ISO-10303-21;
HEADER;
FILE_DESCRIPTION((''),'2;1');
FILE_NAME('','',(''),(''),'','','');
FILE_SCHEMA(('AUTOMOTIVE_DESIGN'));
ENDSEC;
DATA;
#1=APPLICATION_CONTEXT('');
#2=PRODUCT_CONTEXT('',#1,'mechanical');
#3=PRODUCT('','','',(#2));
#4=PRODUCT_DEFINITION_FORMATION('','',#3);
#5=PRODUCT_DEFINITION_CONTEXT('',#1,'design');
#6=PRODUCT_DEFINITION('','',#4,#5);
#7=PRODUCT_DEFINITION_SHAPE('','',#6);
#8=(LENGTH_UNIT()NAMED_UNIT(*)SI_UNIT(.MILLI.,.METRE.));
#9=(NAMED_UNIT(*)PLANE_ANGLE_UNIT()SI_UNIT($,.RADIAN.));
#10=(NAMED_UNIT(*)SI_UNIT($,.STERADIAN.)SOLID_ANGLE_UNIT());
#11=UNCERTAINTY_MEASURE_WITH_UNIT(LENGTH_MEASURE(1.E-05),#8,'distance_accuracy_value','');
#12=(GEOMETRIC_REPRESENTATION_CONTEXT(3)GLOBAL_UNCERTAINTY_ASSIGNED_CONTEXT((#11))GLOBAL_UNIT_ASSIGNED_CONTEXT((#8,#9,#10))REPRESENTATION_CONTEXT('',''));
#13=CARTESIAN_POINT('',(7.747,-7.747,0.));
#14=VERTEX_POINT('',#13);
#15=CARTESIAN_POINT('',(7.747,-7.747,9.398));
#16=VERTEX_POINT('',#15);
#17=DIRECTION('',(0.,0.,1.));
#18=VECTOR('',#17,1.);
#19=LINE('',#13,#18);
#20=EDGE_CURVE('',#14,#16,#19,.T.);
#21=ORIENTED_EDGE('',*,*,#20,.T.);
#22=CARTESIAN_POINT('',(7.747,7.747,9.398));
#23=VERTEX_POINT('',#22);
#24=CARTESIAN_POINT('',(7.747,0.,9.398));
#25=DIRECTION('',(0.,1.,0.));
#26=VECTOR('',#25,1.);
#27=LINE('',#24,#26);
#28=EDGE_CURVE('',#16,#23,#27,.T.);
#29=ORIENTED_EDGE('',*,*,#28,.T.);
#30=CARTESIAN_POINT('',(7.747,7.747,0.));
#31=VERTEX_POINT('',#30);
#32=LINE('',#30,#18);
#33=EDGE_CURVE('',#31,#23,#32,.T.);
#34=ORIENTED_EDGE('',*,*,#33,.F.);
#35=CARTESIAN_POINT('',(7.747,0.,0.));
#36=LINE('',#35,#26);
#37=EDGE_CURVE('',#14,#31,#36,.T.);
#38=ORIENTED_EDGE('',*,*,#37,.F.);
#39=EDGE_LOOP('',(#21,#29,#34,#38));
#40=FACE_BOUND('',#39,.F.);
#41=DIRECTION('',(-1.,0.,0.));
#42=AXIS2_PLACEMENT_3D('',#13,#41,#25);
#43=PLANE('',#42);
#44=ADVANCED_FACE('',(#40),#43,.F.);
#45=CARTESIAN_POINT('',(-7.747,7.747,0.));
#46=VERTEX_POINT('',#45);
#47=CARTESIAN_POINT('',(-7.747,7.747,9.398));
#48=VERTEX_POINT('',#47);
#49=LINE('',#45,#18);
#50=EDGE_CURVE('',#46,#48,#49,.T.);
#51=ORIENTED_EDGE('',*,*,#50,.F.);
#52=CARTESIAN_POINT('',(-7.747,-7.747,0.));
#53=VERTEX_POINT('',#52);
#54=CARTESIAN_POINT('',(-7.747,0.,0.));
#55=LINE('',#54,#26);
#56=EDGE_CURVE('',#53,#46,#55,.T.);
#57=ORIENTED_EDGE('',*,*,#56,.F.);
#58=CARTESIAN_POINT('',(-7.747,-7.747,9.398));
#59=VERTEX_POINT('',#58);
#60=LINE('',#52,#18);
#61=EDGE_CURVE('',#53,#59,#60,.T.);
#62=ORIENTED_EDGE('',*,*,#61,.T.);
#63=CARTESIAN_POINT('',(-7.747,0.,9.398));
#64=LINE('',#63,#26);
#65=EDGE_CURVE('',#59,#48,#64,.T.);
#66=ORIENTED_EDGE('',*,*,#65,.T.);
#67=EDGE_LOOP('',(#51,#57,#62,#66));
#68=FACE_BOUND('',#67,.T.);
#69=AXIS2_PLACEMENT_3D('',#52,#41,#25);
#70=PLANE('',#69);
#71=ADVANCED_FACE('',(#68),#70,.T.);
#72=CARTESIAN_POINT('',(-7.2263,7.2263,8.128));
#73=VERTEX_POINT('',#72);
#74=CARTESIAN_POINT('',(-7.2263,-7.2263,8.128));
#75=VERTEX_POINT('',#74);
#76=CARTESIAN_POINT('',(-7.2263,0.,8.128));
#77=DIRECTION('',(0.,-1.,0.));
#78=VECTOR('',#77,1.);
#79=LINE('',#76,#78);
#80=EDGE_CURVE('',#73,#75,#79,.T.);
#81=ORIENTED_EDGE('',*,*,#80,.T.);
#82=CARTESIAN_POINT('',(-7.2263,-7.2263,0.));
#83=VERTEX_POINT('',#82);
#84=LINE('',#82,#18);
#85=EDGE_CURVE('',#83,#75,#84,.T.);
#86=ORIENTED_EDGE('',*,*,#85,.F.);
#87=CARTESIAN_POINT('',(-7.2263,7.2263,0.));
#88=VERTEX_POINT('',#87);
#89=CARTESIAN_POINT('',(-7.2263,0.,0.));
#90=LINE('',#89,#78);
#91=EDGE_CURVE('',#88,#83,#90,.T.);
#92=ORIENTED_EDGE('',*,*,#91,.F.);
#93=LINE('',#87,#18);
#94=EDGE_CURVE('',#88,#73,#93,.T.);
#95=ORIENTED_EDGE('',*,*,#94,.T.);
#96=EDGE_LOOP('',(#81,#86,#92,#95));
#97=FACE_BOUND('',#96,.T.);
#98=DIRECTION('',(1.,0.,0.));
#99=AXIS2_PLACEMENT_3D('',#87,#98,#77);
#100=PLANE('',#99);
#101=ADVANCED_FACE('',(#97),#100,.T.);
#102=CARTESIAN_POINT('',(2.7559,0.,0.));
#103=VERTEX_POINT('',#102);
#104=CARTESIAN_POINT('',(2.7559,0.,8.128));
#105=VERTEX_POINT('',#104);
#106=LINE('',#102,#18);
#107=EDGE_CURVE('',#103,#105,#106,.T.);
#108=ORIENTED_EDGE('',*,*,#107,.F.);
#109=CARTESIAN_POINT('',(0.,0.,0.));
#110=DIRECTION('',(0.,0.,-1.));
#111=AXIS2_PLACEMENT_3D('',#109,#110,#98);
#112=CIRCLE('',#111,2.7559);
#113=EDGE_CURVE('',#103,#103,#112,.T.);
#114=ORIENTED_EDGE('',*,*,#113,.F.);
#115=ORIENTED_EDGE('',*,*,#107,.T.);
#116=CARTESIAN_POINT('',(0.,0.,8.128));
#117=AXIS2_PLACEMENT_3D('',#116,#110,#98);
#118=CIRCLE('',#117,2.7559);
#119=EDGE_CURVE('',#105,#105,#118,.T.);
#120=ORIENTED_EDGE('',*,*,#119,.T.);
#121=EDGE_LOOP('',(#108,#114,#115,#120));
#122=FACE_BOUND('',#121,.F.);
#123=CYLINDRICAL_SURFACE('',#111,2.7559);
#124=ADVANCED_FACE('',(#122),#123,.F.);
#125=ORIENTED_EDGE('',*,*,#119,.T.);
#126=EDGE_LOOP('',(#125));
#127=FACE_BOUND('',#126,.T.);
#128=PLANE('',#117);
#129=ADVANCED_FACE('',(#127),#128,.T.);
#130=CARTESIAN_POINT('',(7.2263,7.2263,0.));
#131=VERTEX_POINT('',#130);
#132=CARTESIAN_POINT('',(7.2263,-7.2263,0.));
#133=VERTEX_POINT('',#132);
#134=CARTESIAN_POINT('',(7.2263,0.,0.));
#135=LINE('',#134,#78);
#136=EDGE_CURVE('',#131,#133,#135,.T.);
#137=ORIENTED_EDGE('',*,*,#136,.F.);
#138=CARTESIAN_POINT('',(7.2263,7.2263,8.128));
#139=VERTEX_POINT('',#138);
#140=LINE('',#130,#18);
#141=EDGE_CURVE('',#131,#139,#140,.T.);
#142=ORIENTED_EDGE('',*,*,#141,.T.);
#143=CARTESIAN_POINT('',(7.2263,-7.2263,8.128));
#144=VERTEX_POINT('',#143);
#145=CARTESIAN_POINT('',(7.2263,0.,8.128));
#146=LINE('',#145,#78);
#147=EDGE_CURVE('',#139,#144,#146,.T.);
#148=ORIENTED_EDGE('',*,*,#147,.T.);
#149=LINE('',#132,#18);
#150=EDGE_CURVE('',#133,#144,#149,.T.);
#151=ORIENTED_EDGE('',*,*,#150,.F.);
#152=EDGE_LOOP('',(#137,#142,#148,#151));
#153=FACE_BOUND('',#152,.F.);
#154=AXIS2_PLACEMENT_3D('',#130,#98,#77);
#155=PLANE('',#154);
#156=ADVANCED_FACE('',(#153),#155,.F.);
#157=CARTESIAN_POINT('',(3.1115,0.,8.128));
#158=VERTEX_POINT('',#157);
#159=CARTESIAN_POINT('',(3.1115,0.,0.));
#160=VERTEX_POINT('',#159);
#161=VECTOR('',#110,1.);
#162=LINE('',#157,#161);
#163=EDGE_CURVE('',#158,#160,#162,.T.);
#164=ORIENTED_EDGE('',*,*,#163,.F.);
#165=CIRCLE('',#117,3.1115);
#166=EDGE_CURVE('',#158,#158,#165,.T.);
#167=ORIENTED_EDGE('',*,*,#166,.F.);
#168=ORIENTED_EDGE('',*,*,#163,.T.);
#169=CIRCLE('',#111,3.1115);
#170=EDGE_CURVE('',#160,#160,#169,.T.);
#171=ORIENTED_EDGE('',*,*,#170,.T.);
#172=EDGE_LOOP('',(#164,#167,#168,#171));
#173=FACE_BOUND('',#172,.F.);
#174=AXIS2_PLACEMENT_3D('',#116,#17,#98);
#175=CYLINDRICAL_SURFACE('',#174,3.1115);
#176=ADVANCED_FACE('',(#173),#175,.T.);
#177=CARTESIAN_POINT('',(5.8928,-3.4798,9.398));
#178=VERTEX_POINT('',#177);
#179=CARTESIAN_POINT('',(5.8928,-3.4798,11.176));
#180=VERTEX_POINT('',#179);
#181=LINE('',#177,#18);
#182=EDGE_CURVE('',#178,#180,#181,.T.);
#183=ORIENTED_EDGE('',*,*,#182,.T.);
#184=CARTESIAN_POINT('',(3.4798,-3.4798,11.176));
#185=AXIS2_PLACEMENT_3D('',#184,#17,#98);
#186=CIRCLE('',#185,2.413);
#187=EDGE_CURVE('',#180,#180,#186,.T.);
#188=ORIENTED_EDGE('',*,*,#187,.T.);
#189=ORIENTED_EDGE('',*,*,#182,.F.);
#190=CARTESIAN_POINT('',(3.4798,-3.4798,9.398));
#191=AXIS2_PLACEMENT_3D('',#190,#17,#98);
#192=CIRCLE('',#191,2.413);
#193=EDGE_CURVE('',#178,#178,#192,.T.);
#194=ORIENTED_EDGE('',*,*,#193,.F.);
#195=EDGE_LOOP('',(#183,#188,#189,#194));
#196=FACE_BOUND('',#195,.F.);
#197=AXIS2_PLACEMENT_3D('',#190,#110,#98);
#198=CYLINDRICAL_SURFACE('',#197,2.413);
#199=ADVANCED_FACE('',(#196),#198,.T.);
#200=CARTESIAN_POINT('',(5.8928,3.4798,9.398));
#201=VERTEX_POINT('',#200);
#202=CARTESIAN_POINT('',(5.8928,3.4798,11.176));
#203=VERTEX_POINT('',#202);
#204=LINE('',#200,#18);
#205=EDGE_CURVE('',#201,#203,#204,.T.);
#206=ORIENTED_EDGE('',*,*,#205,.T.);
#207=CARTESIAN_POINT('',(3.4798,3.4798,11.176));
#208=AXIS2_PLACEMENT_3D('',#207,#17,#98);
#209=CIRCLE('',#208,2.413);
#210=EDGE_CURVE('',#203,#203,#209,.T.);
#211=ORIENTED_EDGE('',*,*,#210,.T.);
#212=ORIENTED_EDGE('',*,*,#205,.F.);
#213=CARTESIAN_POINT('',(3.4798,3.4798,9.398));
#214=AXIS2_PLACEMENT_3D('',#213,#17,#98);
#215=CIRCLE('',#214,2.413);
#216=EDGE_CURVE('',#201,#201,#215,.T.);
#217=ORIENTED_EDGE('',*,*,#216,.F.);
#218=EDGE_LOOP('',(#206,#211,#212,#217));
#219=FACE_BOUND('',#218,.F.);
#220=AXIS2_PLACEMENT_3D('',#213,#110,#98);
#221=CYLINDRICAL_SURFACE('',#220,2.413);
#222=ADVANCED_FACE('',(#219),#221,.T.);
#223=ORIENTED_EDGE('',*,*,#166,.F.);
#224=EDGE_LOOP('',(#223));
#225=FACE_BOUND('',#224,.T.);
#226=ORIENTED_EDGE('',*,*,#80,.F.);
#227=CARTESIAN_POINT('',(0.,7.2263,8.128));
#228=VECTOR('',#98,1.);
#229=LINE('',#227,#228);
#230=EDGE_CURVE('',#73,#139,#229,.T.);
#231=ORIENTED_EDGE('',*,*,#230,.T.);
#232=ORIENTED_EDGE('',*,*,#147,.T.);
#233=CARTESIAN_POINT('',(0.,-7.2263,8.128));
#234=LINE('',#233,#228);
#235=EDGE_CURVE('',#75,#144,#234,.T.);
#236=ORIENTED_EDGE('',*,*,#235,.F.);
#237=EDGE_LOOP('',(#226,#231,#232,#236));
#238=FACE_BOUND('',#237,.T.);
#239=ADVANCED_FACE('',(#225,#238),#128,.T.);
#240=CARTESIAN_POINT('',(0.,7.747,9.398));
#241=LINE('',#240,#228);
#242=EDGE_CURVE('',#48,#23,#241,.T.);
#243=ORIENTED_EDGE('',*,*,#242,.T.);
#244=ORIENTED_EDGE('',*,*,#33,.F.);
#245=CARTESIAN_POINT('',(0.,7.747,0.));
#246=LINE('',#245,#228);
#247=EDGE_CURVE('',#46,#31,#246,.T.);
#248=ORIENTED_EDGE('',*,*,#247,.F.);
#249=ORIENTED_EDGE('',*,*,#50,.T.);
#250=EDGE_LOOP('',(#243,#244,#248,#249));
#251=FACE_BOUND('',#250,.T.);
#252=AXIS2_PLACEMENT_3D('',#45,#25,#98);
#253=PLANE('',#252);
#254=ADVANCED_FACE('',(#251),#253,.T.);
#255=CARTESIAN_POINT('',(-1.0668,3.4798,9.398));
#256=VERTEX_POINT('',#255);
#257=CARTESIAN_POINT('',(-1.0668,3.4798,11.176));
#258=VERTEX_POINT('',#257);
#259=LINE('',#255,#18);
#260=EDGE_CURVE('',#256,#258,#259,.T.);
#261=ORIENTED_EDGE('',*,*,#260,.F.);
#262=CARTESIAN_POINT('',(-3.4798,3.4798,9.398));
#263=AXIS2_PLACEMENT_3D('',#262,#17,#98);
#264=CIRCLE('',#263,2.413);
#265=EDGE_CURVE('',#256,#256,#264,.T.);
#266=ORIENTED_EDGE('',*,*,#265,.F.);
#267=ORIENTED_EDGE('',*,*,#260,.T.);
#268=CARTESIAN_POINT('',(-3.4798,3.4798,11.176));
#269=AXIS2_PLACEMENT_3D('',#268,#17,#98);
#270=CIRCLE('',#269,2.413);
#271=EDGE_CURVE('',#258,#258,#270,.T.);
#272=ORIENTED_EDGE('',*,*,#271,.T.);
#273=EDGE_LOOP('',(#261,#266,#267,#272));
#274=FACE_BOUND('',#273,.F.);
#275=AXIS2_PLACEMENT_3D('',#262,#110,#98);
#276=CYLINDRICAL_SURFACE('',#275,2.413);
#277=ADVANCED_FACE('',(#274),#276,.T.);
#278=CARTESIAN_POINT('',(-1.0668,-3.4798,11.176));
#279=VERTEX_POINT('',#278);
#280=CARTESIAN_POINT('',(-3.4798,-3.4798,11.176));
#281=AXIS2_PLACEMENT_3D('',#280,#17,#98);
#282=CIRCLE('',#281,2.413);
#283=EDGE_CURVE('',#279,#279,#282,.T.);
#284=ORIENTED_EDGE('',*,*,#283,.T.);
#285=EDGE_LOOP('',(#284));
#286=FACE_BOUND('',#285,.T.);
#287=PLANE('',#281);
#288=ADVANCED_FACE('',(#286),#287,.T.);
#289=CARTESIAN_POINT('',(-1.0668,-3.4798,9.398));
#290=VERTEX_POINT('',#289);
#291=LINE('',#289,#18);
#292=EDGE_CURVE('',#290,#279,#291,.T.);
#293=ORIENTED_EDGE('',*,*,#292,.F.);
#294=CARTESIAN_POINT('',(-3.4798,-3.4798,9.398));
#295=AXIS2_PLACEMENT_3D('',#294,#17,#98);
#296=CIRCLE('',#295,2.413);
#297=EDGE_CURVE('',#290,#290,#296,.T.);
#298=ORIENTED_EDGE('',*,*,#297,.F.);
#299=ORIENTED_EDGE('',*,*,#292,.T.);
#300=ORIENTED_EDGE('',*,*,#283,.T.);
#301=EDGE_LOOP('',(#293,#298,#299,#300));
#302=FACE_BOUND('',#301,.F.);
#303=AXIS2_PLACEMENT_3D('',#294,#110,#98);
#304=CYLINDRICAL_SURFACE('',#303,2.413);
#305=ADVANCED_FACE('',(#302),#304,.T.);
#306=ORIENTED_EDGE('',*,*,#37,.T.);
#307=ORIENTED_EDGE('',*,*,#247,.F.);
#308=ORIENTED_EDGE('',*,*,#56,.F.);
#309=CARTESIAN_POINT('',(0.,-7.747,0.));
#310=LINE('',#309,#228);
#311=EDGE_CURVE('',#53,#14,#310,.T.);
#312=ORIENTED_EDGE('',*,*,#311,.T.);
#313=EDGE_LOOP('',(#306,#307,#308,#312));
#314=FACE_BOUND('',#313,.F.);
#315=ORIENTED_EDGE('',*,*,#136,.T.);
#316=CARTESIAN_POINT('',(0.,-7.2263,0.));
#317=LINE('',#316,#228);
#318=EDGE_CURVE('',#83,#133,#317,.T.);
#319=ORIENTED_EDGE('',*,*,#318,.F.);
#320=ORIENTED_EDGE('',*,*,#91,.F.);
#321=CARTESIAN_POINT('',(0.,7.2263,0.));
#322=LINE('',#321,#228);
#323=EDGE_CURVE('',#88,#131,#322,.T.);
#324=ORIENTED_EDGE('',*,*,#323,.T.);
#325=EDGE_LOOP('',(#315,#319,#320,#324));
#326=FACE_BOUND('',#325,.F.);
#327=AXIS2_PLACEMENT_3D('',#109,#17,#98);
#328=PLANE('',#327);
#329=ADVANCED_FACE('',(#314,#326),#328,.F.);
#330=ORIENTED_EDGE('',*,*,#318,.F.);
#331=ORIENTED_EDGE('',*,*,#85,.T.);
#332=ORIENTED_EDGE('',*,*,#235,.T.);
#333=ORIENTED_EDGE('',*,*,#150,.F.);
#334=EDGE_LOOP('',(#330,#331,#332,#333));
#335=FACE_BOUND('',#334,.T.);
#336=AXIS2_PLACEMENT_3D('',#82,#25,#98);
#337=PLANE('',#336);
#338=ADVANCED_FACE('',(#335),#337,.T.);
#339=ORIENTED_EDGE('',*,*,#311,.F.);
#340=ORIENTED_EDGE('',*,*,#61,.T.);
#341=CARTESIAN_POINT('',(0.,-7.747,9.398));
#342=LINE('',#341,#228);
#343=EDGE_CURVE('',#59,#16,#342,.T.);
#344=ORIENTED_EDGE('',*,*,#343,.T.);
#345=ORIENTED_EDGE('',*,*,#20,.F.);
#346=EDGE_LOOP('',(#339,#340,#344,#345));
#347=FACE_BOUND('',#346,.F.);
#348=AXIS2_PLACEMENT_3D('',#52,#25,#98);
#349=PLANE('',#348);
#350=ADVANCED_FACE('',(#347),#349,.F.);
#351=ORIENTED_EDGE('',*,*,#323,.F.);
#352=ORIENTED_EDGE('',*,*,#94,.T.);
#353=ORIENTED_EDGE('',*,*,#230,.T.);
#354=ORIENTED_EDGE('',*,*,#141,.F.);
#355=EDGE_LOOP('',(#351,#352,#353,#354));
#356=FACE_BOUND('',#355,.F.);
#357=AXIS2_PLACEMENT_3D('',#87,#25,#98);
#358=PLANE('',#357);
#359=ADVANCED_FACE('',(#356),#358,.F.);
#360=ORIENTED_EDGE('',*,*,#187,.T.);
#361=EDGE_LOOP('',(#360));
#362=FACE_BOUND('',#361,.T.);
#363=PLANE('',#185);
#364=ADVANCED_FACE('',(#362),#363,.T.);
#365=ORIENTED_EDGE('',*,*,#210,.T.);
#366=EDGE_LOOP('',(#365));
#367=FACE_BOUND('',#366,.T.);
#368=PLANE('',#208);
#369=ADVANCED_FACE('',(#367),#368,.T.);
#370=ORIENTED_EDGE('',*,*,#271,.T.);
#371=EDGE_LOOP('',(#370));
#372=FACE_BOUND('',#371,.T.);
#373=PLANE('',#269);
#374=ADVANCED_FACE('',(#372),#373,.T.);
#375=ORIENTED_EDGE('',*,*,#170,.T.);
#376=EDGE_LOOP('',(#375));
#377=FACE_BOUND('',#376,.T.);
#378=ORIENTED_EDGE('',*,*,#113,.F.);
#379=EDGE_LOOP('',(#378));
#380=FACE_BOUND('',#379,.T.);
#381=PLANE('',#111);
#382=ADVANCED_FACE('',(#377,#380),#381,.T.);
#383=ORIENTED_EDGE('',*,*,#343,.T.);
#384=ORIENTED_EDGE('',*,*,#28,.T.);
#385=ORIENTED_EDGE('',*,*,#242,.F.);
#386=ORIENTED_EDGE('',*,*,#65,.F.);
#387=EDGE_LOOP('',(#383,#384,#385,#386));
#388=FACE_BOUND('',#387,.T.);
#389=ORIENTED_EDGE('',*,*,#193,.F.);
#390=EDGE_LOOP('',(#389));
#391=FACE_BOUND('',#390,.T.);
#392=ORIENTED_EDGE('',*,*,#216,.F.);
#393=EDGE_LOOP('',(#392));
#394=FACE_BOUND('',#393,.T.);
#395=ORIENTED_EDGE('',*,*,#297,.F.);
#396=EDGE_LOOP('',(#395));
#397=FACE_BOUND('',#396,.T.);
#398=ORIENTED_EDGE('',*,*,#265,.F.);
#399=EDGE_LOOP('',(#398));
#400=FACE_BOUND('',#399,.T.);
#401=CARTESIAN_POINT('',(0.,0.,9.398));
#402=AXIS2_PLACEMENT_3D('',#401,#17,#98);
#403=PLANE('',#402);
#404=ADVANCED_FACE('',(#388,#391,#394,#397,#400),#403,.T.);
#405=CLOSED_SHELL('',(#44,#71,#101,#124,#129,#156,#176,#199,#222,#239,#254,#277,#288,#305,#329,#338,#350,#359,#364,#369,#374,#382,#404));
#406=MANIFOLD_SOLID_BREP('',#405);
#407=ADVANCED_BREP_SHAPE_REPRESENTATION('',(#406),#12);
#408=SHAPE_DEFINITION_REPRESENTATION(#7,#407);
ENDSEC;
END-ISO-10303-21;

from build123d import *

# Parameters (mm, degrees)
F0_W     = 15.494
F0_H     = 15.494
F1_DEPTH = 9.398
F2_R     = 2.413
F3_DEPTH = 1.778
F4_W     = 14.4526
F4_H     = 14.4526
F5_DEPTH = 8.128
F6_R     = 3.1115
F7_DEPTH = 8.128
F8_R     = 2.7559
F9_DEPTH = 8.128


with BuildPart() as f1:
    # F0 (on Top) → F1 (new body)
    with BuildSketch(Plane.XY):
        Rectangle(F0_W, F0_H)
    extrude(amount=F1_DEPTH)

    # F2 (on face) → F3 (join)
    with BuildSketch(Plane.XY.offset(9.398)):
        with Locations((-3.4798, 3.4798)):
            Circle(F2_R)
        with Locations((3.4798, 3.4798)):
            Circle(F2_R)
        with Locations((3.4798, -3.4798)):
            Circle(F2_R)
        with Locations((-3.4798, -3.4798)):
            Circle(F2_R)
    extrude(amount=F3_DEPTH)

    # F4 (on face) → F5 (cut)
    with BuildSketch(Plane(origin=(0, 0, 0), x_dir=(1, 0, 0), z_dir=(0, 0, -1))):
        Rectangle(F4_W, F4_H)
    extrude(amount=-F5_DEPTH, mode=Mode.SUBTRACT)

    # F6 (on face) → F7 (join)
    with BuildSketch(Plane(origin=(0, 0, 8.128), x_dir=(1, 0, 0), z_dir=(0, 0, -1))):
        Circle(F6_R)
    extrude(amount=F7_DEPTH)

    # F8 (on face) → F9 (cut)
    with BuildSketch(Plane(origin=(0, 0, 0), x_dir=(1, 0, 0), z_dir=(0, 0, -1))):
        Circle(F8_R)
    extrude(amount=-F9_DEPTH, mode=Mode.SUBTRACT)


solid = f1.part
